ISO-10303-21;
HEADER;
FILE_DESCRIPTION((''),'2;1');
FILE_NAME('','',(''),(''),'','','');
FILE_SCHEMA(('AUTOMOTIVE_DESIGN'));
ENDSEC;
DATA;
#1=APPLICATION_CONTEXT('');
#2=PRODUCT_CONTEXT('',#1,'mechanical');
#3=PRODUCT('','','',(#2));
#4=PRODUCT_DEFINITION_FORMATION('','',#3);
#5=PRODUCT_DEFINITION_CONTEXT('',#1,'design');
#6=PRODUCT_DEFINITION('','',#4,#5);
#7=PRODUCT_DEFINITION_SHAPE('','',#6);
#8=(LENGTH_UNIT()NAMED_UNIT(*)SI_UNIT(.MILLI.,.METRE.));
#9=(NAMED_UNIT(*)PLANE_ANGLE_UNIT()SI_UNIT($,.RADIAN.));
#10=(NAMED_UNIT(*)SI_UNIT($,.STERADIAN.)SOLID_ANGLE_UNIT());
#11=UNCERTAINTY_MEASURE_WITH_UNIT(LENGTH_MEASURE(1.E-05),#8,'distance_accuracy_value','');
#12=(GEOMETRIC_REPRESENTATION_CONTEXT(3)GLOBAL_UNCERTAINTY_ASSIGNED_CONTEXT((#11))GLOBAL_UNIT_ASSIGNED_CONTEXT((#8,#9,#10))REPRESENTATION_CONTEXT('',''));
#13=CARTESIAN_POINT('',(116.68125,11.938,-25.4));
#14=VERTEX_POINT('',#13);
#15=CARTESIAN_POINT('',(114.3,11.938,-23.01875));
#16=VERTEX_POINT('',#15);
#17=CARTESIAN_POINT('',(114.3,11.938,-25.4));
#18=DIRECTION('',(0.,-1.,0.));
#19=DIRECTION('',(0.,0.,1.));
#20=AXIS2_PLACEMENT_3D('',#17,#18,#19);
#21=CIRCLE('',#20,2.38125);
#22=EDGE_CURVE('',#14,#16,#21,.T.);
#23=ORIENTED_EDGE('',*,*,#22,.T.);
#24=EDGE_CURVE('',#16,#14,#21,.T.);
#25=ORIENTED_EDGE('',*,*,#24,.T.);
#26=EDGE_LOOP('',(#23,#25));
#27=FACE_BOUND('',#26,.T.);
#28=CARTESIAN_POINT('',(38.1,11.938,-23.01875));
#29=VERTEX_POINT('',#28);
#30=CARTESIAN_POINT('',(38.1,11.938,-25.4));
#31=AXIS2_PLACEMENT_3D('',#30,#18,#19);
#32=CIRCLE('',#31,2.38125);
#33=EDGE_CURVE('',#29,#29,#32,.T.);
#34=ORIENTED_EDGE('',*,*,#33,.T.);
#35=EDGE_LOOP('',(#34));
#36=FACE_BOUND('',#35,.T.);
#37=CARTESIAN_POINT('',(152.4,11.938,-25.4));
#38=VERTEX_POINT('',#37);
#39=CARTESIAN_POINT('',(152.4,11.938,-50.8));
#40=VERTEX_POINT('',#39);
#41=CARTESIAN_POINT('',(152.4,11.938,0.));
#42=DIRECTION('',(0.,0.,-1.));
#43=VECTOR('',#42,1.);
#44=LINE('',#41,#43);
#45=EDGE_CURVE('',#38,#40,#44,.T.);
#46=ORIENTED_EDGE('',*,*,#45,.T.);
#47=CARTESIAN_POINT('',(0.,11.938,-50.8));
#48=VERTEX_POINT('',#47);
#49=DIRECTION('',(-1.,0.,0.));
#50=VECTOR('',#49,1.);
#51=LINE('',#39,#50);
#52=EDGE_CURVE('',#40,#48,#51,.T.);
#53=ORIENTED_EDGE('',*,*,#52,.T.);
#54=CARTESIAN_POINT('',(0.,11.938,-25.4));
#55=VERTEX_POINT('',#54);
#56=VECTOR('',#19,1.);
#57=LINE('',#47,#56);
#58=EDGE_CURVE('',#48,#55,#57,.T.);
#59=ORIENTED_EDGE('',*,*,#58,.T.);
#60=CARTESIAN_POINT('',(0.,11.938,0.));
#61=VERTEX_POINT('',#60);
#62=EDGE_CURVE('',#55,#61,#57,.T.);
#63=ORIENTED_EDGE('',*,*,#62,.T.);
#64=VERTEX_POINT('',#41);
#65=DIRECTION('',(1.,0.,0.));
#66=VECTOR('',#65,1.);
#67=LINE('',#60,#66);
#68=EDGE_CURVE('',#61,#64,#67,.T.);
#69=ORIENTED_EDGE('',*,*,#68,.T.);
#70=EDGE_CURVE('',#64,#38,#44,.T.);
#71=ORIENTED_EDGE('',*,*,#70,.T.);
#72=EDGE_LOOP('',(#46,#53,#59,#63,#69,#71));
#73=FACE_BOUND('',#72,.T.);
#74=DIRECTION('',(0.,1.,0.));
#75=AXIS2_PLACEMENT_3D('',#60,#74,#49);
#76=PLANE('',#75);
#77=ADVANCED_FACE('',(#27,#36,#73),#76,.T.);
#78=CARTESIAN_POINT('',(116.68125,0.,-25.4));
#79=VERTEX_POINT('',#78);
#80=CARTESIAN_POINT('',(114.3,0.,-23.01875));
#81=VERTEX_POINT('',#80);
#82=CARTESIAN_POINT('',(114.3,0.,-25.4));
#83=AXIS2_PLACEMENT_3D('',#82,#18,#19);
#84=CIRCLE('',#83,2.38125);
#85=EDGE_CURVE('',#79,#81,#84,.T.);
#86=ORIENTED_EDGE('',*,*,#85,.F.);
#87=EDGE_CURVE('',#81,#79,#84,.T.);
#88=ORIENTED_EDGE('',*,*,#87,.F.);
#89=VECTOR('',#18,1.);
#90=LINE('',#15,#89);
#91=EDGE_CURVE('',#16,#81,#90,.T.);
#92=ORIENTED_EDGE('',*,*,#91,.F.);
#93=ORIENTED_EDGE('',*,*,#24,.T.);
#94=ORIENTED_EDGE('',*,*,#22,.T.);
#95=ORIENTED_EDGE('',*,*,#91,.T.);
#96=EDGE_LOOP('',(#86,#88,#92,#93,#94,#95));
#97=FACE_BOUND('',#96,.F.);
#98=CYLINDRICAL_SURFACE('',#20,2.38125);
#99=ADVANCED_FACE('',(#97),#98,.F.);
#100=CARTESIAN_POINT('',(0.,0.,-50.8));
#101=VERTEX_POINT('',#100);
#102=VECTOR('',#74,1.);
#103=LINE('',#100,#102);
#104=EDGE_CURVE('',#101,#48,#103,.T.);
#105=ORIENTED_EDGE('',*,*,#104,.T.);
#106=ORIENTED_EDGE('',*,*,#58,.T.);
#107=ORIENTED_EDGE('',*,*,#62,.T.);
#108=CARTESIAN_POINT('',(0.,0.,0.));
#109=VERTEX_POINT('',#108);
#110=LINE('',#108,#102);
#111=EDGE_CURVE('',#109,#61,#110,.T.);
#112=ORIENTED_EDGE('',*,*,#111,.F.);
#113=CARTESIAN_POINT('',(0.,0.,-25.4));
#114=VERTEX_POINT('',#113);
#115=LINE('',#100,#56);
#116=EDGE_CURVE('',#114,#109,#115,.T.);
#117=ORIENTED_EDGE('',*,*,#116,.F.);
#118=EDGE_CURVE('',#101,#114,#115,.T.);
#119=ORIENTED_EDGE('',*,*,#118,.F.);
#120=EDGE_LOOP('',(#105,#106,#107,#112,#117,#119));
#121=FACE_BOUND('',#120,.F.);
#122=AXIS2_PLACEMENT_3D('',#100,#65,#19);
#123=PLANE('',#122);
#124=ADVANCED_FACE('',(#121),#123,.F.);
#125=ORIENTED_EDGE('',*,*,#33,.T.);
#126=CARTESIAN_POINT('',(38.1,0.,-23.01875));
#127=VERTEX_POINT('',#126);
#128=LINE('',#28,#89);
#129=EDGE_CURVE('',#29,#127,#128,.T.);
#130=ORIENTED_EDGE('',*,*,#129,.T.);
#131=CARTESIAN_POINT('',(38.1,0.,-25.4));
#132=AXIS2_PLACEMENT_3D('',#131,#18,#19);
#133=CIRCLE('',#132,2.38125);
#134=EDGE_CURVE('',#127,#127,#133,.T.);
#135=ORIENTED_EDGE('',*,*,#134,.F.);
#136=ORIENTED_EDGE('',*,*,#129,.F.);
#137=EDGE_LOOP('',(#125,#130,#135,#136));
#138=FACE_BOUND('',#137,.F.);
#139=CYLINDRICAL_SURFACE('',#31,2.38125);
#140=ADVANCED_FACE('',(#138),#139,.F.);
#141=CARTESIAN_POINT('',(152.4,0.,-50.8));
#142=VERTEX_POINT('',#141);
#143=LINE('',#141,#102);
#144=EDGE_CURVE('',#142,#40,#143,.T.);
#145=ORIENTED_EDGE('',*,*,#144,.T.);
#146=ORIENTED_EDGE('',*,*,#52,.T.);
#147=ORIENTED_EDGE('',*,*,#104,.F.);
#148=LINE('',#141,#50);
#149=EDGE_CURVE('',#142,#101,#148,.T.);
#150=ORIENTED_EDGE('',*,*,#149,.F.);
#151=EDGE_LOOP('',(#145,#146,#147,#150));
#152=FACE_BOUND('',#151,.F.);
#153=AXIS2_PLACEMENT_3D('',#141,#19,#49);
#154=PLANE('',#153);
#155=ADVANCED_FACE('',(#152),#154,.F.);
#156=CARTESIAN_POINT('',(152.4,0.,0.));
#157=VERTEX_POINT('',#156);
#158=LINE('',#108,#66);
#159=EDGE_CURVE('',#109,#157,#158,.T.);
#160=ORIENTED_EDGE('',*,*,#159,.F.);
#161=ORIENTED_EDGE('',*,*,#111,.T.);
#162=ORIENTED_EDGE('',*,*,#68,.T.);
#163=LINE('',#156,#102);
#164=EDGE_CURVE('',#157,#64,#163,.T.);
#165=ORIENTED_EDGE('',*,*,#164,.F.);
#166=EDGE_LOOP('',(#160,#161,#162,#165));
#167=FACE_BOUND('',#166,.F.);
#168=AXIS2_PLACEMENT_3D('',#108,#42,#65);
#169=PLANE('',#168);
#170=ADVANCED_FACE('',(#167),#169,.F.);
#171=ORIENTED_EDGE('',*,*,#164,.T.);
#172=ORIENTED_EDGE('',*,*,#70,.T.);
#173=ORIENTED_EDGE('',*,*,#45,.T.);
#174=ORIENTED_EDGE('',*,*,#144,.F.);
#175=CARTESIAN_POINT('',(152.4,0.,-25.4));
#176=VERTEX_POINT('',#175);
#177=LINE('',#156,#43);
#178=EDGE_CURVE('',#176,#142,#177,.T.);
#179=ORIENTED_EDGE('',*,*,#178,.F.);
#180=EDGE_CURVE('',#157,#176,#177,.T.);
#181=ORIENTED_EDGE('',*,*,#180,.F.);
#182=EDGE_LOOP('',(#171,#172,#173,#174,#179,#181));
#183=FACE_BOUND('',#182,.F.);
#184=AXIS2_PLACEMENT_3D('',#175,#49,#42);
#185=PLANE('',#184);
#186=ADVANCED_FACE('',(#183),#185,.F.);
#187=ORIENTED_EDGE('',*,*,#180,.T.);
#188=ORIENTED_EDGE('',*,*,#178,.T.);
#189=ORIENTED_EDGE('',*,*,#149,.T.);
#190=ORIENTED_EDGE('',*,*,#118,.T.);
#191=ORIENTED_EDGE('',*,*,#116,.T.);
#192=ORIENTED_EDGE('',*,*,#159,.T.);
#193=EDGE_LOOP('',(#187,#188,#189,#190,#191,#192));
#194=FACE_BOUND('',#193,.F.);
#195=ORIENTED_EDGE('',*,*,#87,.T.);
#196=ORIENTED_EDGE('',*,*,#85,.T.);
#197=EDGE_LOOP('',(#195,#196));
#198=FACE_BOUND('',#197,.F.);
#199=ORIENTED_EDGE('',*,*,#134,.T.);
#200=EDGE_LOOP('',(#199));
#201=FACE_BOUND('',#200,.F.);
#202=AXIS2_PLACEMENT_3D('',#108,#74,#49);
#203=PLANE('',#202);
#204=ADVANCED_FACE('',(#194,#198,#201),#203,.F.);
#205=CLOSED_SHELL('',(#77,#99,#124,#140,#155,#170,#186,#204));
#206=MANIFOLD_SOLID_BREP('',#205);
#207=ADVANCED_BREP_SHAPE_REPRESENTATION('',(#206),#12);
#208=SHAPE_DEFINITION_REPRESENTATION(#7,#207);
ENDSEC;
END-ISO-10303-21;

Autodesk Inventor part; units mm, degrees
ref_plane "YZ Plane" through (0, 0, 0) normal (1, 0, 0) x (0, 1, 0)
ref_plane "XZ Plane" through (0, 0, 0) normal (0, 1, 0) x (-1, 0, 0)
ref_plane "XY Plane" through (0, 0, 0) normal (0, 0, 1) x (1, 0, 0)
sketch "Sketch1" plane through (0, 0, 0) normal (0, 1, 0) x (-1, 0, 0)
  line L0 (0, 0) -> (-152.4, 0)
  line L1 (-152.4, 0) -> (-152.4, -50.8)
  line L2 (-152.4, -50.8) -> (0, -50.8)
  line L3 (0, -50.8) -> (0, 0)
  line L4 (0, -25.4) -> (-152.4, -25.4) construction
  line L5 (0, -25.4) -> (-38.1, -25.4)
  line L6 (-152.4, -25.4) -> (-114.3, -25.4)
  circle A0 centre (-38.1, -25.4) radius 2.3813
  circle A1 centre (-114.3, -25.4) radius 2.3812
  dimension "d0" = 152.4
  dimension "d1" = 50.8
  dimension "d4" = 38.1
  dimension "d5" = 38.1
  dimension "d6" = 4.7625
  dimension "d7" = 4.7625
extrude "Extrusion1" add sketch "Sketch1" along normal blind 11.938 contours A1 | A0 | L3 L2 L1 L0
sketch "Sketch3" plane through (0, 11.938, 0) normal (0, 1, 0) x (1, 0, 0)
  line L0 (0, 50.8) -> (0, 0) projected
  line L1 (0, 25.4) -> (152.4, 25.4)
  line L2 (152.4, 0) -> (152.4, 50.8) projected
  line L3 (0, 25.4) -> (38.1, 25.4)
  line L4 (152.4, 25.4) -> (114.3, 25.4)
  line L5 (152.4, 25.4) -> (190.5, 25.4) construction
  circle A0 centre (38.1, 25.4) radius 2.3812
  circle A1 centre (114.3, 25.4) radius 2.3812
  dimension "d19" = 38.1
  dimension "d20" = 38.1
  dimension "d21" = 180
  dimension "d22" = 4.7625
  dimension "d23" = 4.7625
hole "Hole2" at (38.1, 11.938, -25.4) at (114.3, 11.938, -25.4) direction (0, -1, 0) diameter 4.7625 end through all
properties part number "track"
